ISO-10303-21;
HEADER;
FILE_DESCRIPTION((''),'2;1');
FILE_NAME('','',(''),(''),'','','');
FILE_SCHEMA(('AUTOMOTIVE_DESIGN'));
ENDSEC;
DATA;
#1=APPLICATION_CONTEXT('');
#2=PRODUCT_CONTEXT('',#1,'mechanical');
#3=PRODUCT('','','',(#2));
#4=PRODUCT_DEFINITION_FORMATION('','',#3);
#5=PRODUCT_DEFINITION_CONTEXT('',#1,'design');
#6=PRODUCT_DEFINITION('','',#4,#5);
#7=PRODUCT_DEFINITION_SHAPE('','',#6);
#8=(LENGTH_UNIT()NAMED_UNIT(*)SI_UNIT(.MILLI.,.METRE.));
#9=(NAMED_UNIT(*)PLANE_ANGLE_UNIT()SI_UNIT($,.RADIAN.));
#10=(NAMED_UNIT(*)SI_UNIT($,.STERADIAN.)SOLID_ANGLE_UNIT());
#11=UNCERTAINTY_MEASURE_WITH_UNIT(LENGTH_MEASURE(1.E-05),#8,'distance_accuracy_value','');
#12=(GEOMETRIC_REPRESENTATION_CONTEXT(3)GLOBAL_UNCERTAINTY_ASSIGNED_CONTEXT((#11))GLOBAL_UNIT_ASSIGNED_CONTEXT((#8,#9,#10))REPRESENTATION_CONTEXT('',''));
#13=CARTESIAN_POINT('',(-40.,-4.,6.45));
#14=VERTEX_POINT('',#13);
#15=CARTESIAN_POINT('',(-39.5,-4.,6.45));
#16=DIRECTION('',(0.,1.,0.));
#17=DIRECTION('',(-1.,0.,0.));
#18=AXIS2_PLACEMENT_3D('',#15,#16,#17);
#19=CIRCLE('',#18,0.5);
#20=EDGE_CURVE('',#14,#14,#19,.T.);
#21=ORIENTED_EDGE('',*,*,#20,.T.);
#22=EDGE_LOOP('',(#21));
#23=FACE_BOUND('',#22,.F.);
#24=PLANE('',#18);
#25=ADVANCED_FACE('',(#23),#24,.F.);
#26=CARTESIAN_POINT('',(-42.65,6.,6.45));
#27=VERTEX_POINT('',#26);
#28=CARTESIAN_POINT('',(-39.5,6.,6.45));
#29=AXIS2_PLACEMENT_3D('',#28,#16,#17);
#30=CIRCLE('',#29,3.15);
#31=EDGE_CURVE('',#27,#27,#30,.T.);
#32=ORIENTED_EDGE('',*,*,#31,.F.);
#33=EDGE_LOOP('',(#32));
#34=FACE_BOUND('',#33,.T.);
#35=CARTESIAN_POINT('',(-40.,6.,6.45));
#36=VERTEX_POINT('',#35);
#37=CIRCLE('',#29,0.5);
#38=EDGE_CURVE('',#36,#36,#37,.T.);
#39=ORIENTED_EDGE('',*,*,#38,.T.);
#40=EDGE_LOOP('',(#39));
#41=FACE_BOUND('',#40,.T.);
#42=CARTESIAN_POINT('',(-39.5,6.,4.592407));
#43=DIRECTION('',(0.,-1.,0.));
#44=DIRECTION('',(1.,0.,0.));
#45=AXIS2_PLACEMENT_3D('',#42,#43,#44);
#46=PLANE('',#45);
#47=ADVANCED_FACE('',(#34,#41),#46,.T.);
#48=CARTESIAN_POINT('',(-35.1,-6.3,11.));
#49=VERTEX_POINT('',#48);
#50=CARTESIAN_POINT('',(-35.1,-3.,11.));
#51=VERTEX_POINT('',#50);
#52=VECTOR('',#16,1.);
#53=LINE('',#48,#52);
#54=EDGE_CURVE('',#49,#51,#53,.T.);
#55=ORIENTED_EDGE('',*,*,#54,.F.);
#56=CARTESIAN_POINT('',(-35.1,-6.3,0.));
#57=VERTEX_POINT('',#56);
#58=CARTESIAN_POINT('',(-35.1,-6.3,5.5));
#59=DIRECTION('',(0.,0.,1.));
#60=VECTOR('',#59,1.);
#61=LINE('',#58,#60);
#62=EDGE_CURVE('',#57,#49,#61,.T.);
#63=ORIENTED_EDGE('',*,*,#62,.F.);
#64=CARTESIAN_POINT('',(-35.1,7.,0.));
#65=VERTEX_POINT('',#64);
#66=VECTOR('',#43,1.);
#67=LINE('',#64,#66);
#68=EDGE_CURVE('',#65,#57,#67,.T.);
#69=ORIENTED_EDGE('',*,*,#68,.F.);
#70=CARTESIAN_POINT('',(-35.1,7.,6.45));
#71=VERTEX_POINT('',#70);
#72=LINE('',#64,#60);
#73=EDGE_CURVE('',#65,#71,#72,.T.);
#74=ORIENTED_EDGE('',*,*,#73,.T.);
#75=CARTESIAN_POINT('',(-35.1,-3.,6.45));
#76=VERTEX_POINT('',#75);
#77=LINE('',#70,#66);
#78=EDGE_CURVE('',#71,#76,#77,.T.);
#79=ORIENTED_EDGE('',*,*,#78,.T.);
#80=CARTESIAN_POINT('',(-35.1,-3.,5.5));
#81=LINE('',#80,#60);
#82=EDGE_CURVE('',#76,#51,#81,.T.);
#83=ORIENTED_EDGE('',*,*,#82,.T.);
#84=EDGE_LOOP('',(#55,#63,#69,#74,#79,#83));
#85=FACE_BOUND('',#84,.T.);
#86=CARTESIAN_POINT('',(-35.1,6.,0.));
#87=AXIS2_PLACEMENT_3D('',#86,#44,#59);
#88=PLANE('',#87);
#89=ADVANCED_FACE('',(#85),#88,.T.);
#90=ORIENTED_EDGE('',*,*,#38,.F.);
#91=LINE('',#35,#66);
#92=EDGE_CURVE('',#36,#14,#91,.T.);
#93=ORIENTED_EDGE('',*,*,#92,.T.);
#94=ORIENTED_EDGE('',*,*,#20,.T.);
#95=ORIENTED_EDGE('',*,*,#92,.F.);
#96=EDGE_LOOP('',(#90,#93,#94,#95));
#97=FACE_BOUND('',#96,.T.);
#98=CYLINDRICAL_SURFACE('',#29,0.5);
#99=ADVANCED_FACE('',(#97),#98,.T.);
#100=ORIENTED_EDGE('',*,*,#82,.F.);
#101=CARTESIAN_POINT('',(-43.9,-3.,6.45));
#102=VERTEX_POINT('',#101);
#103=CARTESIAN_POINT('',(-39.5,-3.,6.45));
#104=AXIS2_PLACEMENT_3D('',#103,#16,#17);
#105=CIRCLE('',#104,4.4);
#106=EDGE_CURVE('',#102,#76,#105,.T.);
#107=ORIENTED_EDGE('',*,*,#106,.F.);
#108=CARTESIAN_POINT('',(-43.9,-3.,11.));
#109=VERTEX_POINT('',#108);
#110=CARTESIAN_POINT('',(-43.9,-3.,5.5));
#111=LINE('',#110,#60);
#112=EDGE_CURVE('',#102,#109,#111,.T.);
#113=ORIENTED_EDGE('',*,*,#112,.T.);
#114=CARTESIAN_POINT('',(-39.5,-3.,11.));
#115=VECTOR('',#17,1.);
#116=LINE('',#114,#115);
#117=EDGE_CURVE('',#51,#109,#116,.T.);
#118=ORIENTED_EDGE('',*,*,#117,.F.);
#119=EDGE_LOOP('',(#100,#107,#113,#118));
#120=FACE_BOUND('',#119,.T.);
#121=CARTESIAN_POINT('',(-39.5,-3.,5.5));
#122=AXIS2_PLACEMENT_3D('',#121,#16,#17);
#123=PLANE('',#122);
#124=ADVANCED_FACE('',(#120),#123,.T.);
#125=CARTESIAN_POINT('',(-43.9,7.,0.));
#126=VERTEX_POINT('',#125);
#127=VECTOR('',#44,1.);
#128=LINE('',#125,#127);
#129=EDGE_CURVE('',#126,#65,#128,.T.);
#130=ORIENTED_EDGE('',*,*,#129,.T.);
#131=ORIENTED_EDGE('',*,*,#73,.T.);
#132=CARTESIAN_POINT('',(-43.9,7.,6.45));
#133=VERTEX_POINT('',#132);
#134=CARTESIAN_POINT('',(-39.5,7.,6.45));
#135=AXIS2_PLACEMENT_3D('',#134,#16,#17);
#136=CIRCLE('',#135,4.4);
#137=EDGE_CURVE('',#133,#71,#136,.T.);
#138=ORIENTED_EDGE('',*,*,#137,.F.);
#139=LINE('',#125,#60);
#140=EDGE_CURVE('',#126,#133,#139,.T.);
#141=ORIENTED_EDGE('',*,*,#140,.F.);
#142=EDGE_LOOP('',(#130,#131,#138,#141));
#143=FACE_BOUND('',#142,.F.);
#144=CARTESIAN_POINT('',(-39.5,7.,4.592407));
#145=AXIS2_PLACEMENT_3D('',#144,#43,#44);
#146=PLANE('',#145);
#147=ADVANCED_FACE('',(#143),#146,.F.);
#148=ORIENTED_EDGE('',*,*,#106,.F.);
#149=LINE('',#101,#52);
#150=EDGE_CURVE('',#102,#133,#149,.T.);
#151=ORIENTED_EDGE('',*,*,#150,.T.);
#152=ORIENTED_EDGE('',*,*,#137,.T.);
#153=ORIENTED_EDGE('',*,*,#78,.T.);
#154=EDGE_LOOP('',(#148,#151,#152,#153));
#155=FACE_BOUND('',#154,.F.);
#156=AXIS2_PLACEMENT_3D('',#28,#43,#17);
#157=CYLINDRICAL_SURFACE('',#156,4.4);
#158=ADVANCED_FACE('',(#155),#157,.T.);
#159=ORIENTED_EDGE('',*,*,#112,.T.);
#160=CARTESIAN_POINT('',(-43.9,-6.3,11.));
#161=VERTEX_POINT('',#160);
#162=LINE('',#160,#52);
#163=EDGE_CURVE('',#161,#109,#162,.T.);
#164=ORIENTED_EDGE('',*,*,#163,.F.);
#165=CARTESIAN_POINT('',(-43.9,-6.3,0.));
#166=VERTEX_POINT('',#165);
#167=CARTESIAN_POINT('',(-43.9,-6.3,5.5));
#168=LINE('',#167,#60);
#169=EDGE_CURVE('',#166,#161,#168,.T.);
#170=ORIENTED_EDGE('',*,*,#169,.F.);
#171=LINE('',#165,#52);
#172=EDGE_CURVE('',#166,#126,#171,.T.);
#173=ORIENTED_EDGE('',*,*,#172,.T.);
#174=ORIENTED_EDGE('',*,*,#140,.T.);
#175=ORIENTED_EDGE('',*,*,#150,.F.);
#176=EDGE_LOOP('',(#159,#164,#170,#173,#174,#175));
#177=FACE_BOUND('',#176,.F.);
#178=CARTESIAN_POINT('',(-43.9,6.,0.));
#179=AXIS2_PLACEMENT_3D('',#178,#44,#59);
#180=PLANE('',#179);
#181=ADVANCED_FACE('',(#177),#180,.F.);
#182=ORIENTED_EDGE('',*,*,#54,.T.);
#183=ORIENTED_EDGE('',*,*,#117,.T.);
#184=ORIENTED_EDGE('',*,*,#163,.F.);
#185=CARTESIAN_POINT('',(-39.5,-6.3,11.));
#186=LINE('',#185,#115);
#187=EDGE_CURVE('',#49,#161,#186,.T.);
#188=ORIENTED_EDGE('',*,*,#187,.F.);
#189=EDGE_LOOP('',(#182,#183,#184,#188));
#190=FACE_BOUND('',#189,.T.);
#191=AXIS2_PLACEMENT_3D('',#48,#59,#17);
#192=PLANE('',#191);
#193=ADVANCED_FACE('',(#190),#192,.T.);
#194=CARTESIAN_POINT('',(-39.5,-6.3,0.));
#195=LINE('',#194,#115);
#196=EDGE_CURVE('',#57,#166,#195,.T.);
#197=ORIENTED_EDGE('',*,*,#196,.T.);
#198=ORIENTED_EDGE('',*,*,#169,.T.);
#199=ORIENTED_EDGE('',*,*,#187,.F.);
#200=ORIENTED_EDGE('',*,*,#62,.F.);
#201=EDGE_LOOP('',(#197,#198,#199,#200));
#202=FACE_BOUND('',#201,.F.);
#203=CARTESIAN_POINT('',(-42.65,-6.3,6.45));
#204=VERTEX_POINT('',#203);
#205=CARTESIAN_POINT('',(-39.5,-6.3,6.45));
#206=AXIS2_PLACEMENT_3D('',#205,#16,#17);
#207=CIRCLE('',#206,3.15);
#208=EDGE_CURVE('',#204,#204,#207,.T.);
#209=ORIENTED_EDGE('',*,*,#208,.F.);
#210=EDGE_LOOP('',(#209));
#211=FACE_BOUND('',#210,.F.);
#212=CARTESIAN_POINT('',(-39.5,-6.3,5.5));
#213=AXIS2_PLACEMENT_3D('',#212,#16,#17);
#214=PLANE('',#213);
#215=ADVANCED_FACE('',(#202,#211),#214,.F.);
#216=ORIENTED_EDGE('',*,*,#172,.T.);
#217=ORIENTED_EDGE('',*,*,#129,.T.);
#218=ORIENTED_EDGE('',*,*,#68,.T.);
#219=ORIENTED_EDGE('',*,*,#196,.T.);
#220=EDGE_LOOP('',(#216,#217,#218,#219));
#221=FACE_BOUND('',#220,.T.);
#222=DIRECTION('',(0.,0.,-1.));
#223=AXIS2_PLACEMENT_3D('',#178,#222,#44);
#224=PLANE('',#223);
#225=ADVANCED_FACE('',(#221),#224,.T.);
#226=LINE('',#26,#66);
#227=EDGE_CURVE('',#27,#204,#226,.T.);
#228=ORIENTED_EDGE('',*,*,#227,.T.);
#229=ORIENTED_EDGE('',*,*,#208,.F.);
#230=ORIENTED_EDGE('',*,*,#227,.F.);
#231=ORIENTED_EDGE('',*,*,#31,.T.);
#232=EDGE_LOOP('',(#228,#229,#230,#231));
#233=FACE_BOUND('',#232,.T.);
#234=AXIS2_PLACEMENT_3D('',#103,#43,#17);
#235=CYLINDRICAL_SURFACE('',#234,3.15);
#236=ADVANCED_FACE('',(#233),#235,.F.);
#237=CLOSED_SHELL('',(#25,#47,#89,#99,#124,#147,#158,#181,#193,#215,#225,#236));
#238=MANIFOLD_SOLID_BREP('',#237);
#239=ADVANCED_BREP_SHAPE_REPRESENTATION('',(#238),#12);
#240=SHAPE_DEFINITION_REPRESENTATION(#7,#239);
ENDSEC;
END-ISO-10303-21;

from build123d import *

# Parameters (mm, degrees)
SKETCH002_W  = 8.8
SKETCH002_H  = 11
SKETCH002_R  = 3.15
PAD068_DEPTH = 3.3
SKETCH003_R  = 3.15
PAD069_DEPTH = 9
PAD070_DEPTH = 1
SKETCH005_R  = 0.5
PAD071_DEPTH = 10


with BuildPart() as part:
    # Sketch002 → Pad068 (new body)
    with BuildSketch(Plane(origin=(0, -6.3, 0), x_dir=(-1, 0, 0), z_dir=(0, 1, 0))):
        with Locations((0, 5.5)):
            Rectangle(SKETCH002_W, SKETCH002_H)
        with Locations((0, 6.45)):
            Circle(SKETCH002_R, mode=Mode.SUBTRACT)
    extrude(amount=PAD068_DEPTH)

    # Sketch003 → Pad069 (join)
    with BuildSketch(Plane(origin=(0, -3, 0), x_dir=(-1, 0, 0), z_dir=(0, 1, 0))):
        with BuildLine():
            Line((4.4, 0), (-4.4, 0))
            Line((-4.4, 0), (-4.4, 6.45))
            ThreePointArc((4.4, 6.45), (0, 10.85), (-4.4, 6.45))
            Line((4.4, 6.45), (4.4, 0))
        make_face()
        with Locations((0, 6.45)):
            Circle(SKETCH003_R, mode=Mode.SUBTRACT)
    extrude(amount=PAD069_DEPTH)

    # Sketch004 → Pad070 (join)
    with BuildSketch(Plane(origin=(0, 6, 0), x_dir=(-1, 0, 0), z_dir=(0, 1, 0))):
        with BuildLine():
            Line((4.4, 0), (-4.4, 0))
            Line((-4.4, 0), (-4.4, 6.45))
            ThreePointArc((4.4, 6.45), (0, 10.85), (-4.4, 6.45))
            Line((4.4, 0), (4.4, 6.45))
        make_face()
    extrude(amount=PAD070_DEPTH)

    # Sketch005 → Pad071 (join)
    with BuildSketch(Plane(origin=(0, 6, 0), x_dir=(-1, 0, 0), z_dir=(0, 1, 0))):
        with Locations((0, 6.45)):
            Circle(SKETCH005_R)
    extrude(amount=-PAD071_DEPTH)


with BuildPart() as part_1:
    # Body001 placement: moved
    add(part.part.moved(Location((-39.5, 0, 0))))


solid = part_1.part
